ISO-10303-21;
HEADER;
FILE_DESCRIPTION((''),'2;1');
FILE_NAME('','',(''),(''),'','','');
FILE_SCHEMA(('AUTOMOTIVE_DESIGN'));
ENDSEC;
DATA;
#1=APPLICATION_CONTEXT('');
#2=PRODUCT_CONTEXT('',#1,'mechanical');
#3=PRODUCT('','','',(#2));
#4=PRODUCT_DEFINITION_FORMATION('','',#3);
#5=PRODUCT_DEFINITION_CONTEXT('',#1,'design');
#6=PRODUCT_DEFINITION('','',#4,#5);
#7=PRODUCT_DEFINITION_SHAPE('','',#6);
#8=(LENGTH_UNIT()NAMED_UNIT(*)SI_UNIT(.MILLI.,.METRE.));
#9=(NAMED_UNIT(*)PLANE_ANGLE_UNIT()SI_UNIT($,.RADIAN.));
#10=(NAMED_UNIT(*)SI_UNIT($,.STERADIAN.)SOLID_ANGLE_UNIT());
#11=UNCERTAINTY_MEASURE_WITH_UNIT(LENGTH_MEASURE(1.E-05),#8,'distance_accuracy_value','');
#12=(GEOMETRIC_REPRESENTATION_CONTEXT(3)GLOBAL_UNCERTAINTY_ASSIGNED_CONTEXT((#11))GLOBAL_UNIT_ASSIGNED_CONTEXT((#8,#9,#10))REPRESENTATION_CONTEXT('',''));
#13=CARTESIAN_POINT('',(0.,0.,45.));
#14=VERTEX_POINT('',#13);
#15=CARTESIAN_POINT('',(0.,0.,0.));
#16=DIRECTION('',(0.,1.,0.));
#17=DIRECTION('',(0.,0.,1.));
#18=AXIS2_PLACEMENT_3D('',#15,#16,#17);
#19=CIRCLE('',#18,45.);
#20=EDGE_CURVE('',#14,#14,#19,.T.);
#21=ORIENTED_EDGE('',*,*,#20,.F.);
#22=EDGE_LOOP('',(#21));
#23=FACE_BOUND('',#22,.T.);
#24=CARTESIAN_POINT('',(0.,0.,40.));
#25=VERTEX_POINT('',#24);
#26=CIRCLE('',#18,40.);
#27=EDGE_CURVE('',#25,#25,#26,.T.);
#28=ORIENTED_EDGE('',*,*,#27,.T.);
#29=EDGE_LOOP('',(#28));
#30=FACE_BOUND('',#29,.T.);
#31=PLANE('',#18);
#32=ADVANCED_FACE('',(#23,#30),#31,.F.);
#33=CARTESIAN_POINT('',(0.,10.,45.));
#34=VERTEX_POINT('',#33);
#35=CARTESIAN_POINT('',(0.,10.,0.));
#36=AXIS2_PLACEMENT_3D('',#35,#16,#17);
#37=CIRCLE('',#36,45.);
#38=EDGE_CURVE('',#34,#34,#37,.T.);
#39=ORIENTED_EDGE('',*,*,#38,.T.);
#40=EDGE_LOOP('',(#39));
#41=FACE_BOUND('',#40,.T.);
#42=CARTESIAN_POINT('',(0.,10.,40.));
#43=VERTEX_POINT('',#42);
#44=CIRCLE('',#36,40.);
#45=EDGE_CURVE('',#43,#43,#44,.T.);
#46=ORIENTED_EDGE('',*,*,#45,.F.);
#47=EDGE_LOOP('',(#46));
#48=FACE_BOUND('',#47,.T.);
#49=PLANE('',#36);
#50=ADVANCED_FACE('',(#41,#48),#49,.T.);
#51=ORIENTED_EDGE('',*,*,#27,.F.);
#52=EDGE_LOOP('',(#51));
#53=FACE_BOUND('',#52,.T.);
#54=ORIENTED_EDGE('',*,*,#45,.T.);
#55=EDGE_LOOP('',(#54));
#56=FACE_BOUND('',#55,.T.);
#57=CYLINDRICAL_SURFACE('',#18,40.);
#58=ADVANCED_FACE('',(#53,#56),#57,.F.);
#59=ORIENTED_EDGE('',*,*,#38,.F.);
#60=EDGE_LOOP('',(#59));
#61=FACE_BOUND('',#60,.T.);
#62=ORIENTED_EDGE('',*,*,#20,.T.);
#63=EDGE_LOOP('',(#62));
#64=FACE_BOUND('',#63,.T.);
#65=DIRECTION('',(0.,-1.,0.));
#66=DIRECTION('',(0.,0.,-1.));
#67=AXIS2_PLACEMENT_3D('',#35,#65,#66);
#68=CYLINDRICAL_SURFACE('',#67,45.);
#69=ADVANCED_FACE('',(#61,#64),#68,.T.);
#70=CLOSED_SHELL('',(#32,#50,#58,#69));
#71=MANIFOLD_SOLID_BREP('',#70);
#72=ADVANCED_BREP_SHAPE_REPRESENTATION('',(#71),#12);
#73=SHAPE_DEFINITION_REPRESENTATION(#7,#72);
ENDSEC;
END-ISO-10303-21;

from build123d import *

# Parameters (mm, degrees)
SKETCH1_R           = 45
BOSS_EXTRUDE1_DEPTH = 10
SKETCH2_R           = 40
CUT_EXTRUDE1_DEPTH  = 10


with BuildPart() as part:
    # Sketch1 → Boss-Extrude1 (new body)
    with BuildSketch(Plane(origin=(0, 0, 0), x_dir=(1, 0, 0), z_dir=(0, 1, 0))):
        Circle(SKETCH1_R)
    extrude(amount=BOSS_EXTRUDE1_DEPTH)

    # Sketch2 → Cut-Extrude1 (cut)
    with BuildSketch(Plane(origin=(0, 10, 0), x_dir=(1, 0, 0), z_dir=(0, 1, 0))):
        Circle(SKETCH2_R)
    extrude(amount=-CUT_EXTRUDE1_DEPTH, mode=Mode.SUBTRACT)


solid = part.part
